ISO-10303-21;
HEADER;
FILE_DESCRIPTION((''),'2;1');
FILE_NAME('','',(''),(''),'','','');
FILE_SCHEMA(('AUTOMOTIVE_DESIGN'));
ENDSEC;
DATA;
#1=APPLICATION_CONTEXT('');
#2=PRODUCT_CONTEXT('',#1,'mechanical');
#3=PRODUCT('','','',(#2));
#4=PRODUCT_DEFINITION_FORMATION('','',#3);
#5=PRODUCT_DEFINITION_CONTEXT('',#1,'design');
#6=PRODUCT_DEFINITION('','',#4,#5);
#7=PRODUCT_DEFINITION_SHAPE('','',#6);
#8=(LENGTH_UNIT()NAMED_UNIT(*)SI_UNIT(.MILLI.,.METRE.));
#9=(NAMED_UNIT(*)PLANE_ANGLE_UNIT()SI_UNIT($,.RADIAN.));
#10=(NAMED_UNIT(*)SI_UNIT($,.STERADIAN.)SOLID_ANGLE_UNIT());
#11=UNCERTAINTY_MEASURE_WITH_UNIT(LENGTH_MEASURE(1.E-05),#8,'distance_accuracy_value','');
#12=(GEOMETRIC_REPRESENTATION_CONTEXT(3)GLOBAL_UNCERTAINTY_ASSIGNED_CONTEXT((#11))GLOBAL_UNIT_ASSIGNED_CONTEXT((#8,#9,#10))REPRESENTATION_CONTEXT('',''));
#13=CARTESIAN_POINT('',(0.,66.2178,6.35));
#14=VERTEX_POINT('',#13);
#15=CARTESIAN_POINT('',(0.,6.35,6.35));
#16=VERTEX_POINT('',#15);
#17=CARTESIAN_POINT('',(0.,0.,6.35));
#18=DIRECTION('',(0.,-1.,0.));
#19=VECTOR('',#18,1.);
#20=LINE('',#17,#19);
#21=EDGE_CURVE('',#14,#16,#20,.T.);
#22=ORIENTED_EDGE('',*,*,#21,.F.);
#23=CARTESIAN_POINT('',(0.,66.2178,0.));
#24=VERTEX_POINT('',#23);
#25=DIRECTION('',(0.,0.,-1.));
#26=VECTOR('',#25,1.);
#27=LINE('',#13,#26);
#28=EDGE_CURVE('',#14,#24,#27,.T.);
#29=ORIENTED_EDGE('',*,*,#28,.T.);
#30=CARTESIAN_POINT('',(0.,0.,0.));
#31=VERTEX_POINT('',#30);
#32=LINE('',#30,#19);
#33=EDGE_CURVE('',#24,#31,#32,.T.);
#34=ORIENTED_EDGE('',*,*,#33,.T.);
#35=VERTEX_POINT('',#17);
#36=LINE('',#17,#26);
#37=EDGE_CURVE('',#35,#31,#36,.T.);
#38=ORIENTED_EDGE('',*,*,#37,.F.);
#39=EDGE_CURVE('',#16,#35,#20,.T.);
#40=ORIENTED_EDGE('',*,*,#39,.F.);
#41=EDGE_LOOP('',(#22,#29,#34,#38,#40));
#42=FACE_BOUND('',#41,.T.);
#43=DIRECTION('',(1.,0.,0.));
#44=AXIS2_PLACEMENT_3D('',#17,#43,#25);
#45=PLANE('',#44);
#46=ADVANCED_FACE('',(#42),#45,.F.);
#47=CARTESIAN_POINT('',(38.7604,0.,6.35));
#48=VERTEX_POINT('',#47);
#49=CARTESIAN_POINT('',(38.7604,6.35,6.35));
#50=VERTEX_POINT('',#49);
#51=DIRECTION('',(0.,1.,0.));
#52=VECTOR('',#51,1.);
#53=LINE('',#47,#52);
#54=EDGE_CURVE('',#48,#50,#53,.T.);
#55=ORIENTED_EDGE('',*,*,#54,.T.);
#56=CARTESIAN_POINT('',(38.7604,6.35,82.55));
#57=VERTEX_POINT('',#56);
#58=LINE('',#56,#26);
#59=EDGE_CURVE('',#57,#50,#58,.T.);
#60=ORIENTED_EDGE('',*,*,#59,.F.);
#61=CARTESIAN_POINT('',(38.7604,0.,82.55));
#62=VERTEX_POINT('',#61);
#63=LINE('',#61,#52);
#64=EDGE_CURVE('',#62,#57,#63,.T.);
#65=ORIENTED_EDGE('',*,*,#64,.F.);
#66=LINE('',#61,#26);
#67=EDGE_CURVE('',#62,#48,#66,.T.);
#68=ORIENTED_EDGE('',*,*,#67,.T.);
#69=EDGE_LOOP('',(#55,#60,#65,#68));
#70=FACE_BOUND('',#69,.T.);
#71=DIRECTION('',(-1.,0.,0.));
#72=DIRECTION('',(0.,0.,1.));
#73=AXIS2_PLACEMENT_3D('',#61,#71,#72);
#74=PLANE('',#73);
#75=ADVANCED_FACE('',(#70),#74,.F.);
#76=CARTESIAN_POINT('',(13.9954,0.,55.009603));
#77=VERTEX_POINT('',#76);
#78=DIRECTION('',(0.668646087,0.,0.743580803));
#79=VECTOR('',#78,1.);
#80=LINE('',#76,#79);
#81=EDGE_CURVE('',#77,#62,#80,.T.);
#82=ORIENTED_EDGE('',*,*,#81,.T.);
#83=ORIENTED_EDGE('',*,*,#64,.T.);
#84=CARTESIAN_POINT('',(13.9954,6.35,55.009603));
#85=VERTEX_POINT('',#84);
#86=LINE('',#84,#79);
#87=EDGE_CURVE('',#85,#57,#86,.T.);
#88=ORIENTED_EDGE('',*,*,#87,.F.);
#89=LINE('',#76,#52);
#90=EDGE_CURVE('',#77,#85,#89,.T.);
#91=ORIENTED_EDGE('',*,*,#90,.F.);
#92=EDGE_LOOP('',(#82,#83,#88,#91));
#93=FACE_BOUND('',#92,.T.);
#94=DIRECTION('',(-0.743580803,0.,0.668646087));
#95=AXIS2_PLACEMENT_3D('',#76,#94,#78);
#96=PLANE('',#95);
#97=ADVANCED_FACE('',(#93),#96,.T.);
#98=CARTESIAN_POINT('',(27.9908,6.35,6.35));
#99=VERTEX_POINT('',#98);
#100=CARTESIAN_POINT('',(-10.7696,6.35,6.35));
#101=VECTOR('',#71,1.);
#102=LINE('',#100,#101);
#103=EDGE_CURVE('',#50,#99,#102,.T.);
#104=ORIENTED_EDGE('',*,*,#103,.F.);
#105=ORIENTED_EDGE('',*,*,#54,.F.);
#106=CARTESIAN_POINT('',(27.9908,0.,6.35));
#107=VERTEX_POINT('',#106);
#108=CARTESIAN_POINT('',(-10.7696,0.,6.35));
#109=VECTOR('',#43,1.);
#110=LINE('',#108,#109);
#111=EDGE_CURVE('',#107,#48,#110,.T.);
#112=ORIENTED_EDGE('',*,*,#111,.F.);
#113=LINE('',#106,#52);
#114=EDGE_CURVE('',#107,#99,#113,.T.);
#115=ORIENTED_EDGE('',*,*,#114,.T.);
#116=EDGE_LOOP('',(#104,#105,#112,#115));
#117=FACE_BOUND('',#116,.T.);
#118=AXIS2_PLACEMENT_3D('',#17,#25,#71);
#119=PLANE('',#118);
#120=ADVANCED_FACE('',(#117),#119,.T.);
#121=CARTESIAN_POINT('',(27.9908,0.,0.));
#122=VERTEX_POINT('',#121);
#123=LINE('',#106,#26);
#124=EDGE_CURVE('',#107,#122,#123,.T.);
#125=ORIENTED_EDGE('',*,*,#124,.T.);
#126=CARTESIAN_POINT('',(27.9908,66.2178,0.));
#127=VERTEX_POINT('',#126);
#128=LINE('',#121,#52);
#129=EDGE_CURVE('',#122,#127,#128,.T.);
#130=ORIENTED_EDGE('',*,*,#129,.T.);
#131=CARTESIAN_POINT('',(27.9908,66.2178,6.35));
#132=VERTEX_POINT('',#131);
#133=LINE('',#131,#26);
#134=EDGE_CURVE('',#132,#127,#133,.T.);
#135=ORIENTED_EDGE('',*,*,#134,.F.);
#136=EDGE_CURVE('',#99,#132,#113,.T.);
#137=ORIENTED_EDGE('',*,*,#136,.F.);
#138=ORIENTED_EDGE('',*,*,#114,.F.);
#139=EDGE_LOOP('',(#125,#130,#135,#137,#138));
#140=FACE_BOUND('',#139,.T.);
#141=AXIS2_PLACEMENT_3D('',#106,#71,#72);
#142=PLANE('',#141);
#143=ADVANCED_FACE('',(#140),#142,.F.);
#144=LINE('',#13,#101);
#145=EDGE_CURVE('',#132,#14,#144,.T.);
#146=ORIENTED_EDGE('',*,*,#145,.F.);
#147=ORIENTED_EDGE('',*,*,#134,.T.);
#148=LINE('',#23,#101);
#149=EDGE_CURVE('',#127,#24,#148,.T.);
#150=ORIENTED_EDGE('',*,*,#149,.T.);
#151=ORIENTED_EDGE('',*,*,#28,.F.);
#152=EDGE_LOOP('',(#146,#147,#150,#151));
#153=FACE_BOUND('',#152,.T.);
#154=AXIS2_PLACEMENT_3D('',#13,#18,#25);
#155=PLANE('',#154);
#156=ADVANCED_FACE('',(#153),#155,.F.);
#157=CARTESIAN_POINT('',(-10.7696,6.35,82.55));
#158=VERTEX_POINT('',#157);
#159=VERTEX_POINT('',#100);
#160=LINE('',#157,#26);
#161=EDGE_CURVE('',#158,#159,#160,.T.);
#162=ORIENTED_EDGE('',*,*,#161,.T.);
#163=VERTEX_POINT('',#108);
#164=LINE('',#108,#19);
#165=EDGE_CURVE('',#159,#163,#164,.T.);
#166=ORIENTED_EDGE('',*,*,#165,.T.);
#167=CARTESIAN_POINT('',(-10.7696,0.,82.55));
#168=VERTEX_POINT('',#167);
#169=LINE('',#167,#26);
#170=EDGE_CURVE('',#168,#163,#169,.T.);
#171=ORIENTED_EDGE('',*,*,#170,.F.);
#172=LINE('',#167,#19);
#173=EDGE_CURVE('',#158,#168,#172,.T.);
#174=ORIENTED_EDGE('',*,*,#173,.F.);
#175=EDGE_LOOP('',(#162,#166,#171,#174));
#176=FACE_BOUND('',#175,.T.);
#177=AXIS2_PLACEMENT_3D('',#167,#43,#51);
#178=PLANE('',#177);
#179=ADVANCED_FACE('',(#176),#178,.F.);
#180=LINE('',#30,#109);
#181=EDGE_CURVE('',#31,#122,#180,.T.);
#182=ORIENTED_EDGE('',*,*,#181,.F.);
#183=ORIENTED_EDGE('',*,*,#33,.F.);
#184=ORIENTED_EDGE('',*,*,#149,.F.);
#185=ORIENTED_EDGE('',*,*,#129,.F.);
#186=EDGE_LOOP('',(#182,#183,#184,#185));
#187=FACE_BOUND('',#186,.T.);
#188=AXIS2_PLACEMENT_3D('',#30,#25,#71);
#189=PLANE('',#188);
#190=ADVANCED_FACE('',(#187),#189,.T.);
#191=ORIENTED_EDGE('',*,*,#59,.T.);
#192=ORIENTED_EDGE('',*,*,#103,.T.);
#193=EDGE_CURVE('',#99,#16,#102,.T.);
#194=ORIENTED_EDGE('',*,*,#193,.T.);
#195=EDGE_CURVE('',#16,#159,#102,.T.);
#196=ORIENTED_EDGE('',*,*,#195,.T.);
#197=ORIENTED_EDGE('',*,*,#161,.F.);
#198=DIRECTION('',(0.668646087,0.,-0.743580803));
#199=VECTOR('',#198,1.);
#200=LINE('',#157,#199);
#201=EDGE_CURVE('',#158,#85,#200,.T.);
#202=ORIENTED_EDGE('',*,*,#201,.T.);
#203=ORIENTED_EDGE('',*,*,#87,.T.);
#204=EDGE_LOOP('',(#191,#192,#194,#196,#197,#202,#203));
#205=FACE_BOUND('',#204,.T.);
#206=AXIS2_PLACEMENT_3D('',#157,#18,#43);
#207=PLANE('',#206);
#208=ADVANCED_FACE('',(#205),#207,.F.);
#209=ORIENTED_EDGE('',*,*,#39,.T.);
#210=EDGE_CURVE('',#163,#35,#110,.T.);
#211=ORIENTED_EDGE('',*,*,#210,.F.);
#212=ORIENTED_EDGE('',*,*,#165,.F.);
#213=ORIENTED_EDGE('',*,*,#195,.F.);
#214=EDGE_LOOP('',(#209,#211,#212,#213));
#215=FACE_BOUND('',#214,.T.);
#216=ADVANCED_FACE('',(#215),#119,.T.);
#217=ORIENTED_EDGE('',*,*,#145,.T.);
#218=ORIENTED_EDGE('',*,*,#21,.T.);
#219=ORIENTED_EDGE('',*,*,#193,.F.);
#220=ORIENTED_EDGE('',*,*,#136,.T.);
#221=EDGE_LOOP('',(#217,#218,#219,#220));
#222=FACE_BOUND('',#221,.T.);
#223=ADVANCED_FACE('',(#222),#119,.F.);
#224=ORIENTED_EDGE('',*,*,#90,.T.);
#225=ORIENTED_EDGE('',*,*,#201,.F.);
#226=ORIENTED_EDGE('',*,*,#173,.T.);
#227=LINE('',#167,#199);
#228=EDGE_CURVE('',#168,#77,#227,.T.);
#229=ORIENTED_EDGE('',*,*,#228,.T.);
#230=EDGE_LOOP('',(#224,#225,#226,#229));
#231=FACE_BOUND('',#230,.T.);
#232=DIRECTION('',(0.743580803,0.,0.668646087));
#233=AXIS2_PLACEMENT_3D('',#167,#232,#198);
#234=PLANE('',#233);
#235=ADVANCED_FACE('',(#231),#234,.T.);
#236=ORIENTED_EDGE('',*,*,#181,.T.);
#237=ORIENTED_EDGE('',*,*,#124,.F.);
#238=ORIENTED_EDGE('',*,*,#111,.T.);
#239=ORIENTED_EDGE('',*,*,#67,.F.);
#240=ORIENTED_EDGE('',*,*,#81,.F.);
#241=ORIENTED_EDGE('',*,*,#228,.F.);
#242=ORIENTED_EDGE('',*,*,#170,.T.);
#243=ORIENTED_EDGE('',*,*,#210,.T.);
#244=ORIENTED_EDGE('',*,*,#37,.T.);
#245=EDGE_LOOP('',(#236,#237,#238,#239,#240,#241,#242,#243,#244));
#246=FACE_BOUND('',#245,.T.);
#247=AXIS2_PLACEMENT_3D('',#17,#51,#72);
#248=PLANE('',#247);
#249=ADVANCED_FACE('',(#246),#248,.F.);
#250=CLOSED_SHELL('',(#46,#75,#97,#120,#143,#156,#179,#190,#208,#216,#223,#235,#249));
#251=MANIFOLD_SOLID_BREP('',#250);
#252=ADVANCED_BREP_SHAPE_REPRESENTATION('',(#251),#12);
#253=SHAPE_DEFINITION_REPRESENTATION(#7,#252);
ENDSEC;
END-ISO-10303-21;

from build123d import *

# Parameters (mm, degrees)
SKETCH1_W           = 27.9908
SKETCH1_H           = 66.2178
BOSS_EXTRUDE1_DEPTH = 6.35
SKETCH4_W           = 49.53
SKETCH4_H           = 6.35
BOSS_EXTRUDE3_DEPTH = 76.2
CUT_EXTRUDE1_DEPTH  = 110.091817223


with BuildPart() as part:
    # Sketch1 → Boss-Extrude1 (new body)
    with BuildSketch(Plane.XY):
        with Locations((13.9954, 33.1089)):
            Rectangle(SKETCH1_W, SKETCH1_H)
    extrude(amount=BOSS_EXTRUDE1_DEPTH)

    # Sketch4 → Boss-Extrude3 (add)
    with BuildSketch(Plane.XY.offset(6.35)):
        with Locations((13.9954, 3.175)):
            Rectangle(SKETCH4_W, SKETCH4_H)
    extrude(amount=BOSS_EXTRUDE3_DEPTH)

    # Sketch5 → Cut-Extrude1 (cut, through all)
    with BuildSketch(Plane(origin=(0, 6.35, 0), x_dir=(1, 0, 0), z_dir=(0, 1, 0))):
        Polygon((-10.7696, -82.55), (13.9954, -55.009603144), (38.7604, -82.55), align=None)
    extrude(amount=-CUT_EXTRUDE1_DEPTH, mode=Mode.SUBTRACT)


solid = part.part
